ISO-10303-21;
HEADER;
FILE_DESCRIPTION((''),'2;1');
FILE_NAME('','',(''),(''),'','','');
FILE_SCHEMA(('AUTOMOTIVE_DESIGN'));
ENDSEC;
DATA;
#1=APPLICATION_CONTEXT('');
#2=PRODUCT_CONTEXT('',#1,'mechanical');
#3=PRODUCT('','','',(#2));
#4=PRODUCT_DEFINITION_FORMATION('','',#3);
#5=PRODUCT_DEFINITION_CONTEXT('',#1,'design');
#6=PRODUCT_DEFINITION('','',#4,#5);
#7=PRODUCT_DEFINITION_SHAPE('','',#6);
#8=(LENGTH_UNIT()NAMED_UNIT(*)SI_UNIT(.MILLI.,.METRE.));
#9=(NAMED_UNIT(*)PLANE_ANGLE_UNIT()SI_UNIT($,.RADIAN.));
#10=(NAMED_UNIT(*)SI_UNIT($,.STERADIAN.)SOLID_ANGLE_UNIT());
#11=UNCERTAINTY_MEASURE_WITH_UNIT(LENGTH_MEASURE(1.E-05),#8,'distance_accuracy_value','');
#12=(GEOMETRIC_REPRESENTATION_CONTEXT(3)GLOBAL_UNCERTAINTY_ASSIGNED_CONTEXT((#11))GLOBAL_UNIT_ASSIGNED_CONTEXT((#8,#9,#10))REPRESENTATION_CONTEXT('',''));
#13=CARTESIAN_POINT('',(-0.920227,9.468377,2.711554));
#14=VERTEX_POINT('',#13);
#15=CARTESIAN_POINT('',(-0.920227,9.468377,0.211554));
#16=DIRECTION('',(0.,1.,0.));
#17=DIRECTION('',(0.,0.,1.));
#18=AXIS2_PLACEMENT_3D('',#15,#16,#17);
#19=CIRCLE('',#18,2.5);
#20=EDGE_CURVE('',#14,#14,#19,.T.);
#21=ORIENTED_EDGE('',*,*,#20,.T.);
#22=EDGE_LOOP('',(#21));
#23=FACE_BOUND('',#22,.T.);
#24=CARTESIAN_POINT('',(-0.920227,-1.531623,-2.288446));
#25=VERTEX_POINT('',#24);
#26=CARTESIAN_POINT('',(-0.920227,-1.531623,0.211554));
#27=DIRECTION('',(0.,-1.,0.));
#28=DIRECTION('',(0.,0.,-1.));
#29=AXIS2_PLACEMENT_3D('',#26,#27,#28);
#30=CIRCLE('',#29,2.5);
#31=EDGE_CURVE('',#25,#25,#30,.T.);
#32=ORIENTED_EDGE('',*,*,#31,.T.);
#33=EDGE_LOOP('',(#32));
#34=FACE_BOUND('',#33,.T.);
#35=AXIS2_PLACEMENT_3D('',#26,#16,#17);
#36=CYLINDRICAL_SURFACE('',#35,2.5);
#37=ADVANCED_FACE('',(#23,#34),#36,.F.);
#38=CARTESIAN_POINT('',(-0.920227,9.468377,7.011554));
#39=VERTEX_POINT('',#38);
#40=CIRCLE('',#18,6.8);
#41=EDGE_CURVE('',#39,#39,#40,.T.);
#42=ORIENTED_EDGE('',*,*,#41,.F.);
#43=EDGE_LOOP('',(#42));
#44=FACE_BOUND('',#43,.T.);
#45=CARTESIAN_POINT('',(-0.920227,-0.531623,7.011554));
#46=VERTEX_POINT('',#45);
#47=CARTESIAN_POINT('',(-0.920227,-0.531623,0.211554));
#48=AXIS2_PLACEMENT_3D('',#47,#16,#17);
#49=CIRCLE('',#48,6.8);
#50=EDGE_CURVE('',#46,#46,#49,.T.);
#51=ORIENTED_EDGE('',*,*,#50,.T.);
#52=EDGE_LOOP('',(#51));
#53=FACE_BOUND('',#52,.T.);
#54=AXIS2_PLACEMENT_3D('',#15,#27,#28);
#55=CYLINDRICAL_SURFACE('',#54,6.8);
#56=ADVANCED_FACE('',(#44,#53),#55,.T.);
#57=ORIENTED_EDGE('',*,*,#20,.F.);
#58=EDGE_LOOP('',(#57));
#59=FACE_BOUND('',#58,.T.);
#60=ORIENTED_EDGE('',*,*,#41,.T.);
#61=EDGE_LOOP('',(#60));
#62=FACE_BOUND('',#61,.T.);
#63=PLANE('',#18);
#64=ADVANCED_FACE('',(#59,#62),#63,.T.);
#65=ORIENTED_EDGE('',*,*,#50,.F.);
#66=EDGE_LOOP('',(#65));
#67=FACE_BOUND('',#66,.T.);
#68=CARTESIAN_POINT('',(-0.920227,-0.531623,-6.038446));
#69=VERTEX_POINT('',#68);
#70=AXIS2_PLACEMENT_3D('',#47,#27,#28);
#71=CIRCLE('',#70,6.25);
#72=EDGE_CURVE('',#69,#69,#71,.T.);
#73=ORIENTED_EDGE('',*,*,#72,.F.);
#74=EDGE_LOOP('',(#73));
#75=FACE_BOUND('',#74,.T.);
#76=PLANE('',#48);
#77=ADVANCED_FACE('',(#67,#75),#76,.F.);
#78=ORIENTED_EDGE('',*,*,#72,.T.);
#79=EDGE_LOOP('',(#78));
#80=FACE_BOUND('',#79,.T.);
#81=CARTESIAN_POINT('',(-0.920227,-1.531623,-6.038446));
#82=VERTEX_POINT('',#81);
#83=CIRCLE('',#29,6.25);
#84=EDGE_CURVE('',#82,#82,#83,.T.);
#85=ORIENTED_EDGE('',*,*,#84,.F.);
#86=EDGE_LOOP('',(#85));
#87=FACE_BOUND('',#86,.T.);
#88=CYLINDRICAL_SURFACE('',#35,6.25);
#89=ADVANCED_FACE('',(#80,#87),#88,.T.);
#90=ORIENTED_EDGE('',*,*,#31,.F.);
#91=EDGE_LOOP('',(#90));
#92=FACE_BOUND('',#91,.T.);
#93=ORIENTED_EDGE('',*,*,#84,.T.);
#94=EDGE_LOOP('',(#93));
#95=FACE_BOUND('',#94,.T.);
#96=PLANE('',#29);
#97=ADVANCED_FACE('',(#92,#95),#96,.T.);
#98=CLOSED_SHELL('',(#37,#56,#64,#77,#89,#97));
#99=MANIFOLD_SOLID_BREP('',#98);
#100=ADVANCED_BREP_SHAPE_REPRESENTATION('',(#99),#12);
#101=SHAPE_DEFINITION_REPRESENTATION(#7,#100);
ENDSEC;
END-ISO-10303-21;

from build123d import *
from build123d.topology import SkipClean

# Parameters (mm, degrees)
SKETCH_2_R      = 6.25
SKETCH_2_R_2    = 2.5
EXTRUDE_1_DEPTH = 1
EXTRUDE_START   = 10
SKETCH_3_R      = 6.8
SKETCH_3_R_2    = 2.5
EXTRUDE_2_DEPTH = 10


with BuildPart() as part:
    # Эскиз2 → Бобышка-Вытянуть1 (new body)
    with BuildSketch(Plane.XZ.offset(0.531623013)):
        with Locations(Location((-0.920226727, 0.211554027, 0), (0, 0, 270))):
            Circle(SKETCH_2_R)
        with Locations(Location((-0.920226727, 0.211554027, 0), (0, 0, 270))):
            Circle(SKETCH_2_R_2, mode=Mode.SUBTRACT)
    extrude(amount=EXTRUDE_1_DEPTH)

    # Эскиз3 → Бобышка-Вытянуть2 (add)
    with SkipClean():  # the faces are left unmerged after this step: merging them gives an invalid solid
        with BuildSketch(Plane(origin=(0, -0.531623013, 0), x_dir=(1, 0, 0), z_dir=(0, 1, 0)).offset(EXTRUDE_START)):
            with Locations(Location((-0.920226727, -0.211554027, 0), (0, 0, 270))):
                Circle(SKETCH_3_R)
            with Locations(Location((-0.920226727, -0.211554027, 0), (0, 0, 270))):
                Circle(SKETCH_3_R_2, mode=Mode.SUBTRACT)
        extrude(amount=-EXTRUDE_2_DEPTH)


solid = part.part
